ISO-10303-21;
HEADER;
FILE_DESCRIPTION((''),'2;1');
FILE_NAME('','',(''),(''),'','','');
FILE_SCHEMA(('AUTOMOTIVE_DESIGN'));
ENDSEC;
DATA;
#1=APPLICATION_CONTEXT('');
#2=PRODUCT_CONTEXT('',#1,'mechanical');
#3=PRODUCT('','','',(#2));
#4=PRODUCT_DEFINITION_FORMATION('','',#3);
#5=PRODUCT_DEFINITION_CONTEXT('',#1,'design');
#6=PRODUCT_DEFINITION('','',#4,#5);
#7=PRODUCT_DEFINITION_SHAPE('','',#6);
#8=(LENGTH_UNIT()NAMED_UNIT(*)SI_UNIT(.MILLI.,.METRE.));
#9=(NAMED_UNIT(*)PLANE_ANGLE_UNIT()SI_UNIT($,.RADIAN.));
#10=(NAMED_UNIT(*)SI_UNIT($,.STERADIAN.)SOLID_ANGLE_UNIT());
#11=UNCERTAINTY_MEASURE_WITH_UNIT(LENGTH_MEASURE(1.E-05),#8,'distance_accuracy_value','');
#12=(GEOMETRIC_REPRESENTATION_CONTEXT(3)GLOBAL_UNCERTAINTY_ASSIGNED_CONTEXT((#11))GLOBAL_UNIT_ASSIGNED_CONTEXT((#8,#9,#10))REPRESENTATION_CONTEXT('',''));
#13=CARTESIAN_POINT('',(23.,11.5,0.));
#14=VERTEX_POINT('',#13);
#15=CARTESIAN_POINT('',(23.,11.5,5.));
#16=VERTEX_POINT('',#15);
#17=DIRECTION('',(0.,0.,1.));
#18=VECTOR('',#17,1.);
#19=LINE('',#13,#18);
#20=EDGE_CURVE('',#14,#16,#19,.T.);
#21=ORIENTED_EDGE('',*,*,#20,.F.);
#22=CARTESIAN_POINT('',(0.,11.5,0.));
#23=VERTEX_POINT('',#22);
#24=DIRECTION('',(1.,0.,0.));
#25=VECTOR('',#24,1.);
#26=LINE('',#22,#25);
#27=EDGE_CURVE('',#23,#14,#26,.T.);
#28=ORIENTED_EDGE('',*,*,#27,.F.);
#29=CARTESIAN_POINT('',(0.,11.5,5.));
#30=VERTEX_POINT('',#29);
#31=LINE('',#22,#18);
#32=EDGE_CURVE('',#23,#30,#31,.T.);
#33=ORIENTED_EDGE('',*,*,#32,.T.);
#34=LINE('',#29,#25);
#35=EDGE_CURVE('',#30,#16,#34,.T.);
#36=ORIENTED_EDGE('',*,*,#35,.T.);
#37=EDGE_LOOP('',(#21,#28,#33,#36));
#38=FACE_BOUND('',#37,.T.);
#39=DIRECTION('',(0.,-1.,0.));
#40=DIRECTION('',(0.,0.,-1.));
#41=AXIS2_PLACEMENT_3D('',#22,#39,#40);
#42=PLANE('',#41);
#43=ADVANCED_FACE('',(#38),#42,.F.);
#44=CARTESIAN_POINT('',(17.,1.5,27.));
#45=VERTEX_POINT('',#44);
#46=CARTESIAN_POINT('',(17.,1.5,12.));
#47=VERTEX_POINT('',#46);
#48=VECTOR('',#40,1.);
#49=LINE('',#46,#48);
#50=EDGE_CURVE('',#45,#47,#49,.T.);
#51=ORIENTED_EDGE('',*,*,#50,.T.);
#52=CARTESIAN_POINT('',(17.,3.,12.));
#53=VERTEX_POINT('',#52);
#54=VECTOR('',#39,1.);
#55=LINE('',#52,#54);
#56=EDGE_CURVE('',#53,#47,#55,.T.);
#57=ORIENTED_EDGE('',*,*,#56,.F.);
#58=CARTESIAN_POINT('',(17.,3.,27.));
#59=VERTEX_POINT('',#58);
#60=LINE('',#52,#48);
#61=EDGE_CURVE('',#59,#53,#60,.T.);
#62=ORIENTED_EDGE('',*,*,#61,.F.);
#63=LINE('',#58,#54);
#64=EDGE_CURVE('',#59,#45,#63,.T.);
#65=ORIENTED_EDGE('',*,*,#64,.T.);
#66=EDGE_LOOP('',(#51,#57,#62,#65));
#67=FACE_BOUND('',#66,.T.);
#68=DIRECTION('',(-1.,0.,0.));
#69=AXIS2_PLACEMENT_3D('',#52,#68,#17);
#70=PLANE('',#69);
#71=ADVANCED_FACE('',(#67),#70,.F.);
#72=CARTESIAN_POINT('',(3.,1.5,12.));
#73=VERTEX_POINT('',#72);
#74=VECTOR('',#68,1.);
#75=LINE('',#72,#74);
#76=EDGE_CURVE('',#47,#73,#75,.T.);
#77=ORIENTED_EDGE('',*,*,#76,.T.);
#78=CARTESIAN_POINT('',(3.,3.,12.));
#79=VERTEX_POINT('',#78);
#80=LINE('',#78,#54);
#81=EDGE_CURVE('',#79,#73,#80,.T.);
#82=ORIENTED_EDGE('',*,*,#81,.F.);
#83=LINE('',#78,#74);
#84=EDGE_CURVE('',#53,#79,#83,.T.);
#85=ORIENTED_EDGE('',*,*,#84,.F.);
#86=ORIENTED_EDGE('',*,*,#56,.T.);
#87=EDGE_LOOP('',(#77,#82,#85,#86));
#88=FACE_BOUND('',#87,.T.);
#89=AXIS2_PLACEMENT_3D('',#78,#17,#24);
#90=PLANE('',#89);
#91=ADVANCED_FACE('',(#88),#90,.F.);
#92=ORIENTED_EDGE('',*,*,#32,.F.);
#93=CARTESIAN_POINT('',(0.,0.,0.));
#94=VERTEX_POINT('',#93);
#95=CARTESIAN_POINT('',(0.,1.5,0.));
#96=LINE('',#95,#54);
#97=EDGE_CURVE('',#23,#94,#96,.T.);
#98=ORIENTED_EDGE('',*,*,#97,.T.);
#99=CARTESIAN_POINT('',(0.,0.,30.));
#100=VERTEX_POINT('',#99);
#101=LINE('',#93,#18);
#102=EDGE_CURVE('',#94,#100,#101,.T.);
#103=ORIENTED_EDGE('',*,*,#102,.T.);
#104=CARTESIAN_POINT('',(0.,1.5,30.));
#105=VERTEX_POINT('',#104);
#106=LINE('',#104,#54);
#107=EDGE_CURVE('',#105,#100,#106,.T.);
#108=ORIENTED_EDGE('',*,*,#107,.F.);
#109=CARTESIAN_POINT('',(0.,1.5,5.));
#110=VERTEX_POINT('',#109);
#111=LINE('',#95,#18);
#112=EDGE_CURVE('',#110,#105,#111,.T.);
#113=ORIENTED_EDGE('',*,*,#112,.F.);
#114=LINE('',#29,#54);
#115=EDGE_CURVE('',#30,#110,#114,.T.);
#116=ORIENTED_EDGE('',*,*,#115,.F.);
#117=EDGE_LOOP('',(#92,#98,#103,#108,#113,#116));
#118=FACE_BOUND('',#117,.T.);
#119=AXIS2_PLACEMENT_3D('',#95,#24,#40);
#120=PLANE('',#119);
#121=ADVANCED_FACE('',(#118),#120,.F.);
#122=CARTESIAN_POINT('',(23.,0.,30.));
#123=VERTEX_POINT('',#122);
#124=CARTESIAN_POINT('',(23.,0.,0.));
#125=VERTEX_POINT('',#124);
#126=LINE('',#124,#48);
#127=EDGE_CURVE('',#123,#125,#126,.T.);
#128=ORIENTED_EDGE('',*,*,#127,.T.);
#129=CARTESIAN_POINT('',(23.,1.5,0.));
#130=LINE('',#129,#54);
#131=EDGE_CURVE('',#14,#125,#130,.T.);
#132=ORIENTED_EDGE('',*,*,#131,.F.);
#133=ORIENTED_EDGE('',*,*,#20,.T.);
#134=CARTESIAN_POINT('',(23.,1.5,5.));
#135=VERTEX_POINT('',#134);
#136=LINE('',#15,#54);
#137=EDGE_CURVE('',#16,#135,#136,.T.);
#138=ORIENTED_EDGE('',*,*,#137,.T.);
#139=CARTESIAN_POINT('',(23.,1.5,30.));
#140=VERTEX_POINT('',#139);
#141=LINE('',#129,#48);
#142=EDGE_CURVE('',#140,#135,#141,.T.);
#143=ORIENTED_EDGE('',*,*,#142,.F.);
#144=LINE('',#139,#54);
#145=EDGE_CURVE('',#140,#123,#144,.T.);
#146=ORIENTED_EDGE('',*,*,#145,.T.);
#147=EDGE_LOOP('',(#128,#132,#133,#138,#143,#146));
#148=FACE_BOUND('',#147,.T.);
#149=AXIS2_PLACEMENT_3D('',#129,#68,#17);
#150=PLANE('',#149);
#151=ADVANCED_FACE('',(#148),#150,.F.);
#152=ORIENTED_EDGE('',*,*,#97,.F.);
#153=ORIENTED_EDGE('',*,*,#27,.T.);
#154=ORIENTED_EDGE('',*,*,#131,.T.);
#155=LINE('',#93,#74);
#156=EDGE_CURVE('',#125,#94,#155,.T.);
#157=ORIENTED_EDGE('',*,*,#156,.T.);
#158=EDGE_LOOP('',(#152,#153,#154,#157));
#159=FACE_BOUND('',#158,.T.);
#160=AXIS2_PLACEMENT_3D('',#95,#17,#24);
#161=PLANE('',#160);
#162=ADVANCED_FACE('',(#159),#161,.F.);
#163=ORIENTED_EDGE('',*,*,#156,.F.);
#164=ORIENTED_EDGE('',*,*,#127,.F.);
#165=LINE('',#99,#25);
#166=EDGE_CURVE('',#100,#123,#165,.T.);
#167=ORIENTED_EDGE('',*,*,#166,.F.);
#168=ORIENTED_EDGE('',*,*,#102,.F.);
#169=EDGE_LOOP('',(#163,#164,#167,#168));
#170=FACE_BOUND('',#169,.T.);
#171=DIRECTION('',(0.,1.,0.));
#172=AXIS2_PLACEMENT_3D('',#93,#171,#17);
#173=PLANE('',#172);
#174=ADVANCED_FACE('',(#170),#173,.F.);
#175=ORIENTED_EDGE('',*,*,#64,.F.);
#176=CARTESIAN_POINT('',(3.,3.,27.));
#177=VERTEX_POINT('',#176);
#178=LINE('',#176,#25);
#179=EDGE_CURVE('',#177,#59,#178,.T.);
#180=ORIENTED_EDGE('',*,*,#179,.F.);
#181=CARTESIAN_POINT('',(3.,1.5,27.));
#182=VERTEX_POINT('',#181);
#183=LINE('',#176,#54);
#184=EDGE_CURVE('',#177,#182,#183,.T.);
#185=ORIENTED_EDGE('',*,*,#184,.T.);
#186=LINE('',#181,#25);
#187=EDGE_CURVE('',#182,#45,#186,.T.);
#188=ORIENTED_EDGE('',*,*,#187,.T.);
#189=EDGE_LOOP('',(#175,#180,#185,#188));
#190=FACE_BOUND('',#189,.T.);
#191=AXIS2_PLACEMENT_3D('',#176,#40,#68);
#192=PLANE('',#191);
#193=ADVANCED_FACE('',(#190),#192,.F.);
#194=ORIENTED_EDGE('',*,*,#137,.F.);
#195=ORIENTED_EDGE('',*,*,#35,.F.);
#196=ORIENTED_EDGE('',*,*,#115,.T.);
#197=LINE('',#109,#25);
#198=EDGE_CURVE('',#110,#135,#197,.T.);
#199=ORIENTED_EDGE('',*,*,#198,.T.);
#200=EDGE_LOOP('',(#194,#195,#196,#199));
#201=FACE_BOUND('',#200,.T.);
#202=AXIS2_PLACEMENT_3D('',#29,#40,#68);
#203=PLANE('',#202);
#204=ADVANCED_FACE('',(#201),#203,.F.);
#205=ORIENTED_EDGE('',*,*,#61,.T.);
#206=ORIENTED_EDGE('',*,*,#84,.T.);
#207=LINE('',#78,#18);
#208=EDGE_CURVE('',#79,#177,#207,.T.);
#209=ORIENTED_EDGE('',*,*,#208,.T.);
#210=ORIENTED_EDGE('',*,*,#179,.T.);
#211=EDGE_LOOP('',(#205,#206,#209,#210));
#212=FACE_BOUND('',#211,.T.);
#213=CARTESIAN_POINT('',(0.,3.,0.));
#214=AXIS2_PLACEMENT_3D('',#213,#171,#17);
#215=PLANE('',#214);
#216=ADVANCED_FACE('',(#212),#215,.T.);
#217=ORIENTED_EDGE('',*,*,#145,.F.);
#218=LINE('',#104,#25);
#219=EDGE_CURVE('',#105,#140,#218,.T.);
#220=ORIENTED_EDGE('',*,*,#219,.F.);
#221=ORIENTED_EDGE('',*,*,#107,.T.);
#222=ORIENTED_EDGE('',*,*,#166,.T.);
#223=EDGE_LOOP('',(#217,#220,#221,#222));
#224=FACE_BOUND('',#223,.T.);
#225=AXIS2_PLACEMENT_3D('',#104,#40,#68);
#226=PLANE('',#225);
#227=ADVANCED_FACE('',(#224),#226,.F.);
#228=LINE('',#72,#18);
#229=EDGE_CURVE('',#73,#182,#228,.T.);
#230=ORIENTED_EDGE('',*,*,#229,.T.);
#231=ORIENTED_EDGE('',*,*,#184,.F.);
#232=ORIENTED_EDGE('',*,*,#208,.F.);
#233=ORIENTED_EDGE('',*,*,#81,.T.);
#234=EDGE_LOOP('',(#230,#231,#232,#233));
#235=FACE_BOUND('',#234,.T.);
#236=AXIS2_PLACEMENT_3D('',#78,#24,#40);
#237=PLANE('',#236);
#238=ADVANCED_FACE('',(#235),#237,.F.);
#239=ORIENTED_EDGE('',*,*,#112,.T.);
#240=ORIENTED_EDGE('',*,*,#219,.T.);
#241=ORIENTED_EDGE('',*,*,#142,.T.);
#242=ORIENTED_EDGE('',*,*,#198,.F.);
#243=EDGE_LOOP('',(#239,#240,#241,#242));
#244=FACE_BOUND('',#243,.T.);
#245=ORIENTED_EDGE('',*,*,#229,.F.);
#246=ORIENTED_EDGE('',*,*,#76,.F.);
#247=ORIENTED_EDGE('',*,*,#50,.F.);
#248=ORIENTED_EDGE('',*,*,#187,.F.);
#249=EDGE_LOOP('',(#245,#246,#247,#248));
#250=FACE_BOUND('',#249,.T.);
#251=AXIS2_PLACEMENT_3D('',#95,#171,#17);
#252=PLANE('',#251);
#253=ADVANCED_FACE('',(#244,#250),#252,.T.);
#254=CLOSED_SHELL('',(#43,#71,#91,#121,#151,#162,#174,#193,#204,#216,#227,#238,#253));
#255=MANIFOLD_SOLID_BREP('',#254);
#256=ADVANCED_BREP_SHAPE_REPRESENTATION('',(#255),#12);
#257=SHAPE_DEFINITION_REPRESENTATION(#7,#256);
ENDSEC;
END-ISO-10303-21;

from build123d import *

# Parameters (mm, degrees)
SKETCH_1_W      = 23
SKETCH_1_H      = 30
EXTRUDE_1_DEPTH = 1.5
SKETCH_2_W      = 14
SKETCH_2_H      = 15
EXTRUDE_2_DEPTH = 1.5
SKETCH_3_W      = 23
SKETCH_3_H      = 5
EXTRUDE_3_DEPTH = 10


with BuildPart() as part:
    # Эскиз1 → Бобышка-Вытянуть1 (new body)
    with BuildSketch(Plane(origin=(0, 0, 0), x_dir=(1, 0, 0), z_dir=(0, 1, 0))):
        with Locations((11.5, -15)):
            Rectangle(SKETCH_1_W, SKETCH_1_H)
    extrude(amount=EXTRUDE_1_DEPTH)

    # Эскиз2 → Бобышка-Вытянуть2 (add)
    with BuildSketch(Plane(origin=(0, 1.5, 0), x_dir=(1, 0, 0), z_dir=(0, 1, 0))):
        with Locations((10, -19.5)):
            Rectangle(SKETCH_2_W, SKETCH_2_H)
    extrude(amount=EXTRUDE_2_DEPTH)

    # Эскиз3 → Бобышка-Вытянуть3 (add)
    with BuildSketch(Plane(origin=(0, 1.5, 0), x_dir=(1, 0, 0), z_dir=(0, 1, 0))):
        with Locations((11.5, -2.5)):
            Rectangle(SKETCH_3_W, SKETCH_3_H)
    extrude(amount=EXTRUDE_3_DEPTH)


solid = part.part
